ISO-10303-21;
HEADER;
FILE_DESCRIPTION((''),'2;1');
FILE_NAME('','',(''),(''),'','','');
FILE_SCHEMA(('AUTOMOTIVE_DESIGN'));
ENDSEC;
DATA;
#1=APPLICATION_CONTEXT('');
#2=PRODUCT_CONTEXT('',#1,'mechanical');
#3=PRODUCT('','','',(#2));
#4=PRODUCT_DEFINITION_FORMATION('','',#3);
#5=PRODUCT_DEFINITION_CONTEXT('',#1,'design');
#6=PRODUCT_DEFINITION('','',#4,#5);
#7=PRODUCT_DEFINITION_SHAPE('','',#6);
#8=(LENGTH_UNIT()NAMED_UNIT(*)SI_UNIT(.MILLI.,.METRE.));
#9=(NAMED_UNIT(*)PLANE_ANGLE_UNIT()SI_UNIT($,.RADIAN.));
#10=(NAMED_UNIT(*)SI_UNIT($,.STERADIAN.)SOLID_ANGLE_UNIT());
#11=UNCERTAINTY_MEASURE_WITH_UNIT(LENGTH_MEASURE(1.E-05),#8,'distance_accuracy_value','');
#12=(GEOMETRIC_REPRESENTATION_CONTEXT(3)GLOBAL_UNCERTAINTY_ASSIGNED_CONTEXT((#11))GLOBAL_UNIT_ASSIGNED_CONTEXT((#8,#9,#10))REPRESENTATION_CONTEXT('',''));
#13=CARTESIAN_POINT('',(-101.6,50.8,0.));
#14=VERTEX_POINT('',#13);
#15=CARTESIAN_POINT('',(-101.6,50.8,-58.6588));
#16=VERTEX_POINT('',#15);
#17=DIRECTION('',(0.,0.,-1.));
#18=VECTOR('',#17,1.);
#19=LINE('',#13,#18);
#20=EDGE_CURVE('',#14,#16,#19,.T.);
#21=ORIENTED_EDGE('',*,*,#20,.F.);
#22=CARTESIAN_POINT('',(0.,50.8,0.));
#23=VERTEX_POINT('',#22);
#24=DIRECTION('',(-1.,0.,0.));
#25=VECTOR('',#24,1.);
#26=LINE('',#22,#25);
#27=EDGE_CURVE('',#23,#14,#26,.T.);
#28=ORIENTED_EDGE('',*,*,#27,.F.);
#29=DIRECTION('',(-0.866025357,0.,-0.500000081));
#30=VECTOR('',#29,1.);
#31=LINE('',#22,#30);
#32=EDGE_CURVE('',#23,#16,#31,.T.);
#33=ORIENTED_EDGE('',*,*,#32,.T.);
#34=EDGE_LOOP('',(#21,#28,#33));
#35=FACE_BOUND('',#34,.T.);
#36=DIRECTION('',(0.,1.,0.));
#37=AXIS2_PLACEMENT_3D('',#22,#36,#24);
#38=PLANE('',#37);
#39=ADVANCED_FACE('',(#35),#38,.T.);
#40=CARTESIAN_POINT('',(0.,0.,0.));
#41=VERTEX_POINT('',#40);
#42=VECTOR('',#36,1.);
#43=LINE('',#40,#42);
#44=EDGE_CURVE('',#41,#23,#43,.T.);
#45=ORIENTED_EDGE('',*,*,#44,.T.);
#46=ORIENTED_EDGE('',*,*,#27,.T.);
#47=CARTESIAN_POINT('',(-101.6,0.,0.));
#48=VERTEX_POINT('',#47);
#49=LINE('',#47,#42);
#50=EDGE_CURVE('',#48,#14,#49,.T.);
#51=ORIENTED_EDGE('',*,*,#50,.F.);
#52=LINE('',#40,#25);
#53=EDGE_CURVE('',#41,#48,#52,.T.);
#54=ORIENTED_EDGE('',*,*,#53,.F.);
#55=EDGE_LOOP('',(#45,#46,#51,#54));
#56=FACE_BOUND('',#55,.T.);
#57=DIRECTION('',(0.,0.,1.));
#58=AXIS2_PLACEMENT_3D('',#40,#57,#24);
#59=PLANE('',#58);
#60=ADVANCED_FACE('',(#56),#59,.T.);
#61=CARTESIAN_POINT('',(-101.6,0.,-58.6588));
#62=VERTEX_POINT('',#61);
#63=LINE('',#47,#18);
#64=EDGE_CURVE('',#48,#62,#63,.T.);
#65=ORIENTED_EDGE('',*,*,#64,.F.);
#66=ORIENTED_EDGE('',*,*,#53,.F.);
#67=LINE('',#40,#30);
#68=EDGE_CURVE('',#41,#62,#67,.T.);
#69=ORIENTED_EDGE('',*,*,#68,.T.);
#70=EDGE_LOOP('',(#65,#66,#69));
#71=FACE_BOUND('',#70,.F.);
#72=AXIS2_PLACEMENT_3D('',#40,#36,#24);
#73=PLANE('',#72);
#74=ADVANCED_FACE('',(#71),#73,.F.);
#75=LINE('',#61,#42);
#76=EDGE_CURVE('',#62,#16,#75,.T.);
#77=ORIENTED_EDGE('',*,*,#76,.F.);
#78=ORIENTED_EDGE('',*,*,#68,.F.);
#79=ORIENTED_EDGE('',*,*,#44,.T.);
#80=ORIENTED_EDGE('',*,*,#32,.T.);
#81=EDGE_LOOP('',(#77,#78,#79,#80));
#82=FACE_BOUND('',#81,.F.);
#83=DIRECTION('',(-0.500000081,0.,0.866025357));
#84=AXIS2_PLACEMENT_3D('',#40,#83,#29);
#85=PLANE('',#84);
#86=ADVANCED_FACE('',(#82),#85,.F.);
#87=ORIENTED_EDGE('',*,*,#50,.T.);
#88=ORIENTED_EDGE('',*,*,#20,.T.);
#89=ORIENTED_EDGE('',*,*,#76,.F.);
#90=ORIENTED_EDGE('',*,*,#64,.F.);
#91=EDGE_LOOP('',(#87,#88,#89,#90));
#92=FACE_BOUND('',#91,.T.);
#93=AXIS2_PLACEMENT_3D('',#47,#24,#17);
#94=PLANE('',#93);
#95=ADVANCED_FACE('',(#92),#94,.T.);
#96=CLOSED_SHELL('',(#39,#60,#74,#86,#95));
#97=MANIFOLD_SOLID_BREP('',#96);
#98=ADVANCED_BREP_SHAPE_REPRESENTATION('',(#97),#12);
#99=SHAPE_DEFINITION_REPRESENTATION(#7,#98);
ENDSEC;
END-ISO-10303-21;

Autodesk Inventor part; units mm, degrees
ref_plane "YZ Plane" through (0, 0, 0) normal (1, 0, 0) x (0, 1, 0)
ref_plane "XZ Plane" through (0, 0, 0) normal (0, 1, 0) x (-1, 0, 0)
ref_plane "XY Plane" through (0, 0, 0) normal (0, 0, 1) x (1, 0, 0)
sketch "Sketch1" plane through (0, 0, 0) normal (0, 1, 0) x (-1, 0, 0)
  line L0 (0, 0) -> (101.6, 0)
  line L1 (0, 0) -> (101.6, -58.6588)
  line L2 (101.6, 0) -> (101.6, -58.6588)
  dimension "d0" = 101.6
  dimension "d1" = 30
extrude "Extrusion1" add sketch "Sketch1" along normal blind 50.8
properties part number "30-degreeAngleForChopSaw"
